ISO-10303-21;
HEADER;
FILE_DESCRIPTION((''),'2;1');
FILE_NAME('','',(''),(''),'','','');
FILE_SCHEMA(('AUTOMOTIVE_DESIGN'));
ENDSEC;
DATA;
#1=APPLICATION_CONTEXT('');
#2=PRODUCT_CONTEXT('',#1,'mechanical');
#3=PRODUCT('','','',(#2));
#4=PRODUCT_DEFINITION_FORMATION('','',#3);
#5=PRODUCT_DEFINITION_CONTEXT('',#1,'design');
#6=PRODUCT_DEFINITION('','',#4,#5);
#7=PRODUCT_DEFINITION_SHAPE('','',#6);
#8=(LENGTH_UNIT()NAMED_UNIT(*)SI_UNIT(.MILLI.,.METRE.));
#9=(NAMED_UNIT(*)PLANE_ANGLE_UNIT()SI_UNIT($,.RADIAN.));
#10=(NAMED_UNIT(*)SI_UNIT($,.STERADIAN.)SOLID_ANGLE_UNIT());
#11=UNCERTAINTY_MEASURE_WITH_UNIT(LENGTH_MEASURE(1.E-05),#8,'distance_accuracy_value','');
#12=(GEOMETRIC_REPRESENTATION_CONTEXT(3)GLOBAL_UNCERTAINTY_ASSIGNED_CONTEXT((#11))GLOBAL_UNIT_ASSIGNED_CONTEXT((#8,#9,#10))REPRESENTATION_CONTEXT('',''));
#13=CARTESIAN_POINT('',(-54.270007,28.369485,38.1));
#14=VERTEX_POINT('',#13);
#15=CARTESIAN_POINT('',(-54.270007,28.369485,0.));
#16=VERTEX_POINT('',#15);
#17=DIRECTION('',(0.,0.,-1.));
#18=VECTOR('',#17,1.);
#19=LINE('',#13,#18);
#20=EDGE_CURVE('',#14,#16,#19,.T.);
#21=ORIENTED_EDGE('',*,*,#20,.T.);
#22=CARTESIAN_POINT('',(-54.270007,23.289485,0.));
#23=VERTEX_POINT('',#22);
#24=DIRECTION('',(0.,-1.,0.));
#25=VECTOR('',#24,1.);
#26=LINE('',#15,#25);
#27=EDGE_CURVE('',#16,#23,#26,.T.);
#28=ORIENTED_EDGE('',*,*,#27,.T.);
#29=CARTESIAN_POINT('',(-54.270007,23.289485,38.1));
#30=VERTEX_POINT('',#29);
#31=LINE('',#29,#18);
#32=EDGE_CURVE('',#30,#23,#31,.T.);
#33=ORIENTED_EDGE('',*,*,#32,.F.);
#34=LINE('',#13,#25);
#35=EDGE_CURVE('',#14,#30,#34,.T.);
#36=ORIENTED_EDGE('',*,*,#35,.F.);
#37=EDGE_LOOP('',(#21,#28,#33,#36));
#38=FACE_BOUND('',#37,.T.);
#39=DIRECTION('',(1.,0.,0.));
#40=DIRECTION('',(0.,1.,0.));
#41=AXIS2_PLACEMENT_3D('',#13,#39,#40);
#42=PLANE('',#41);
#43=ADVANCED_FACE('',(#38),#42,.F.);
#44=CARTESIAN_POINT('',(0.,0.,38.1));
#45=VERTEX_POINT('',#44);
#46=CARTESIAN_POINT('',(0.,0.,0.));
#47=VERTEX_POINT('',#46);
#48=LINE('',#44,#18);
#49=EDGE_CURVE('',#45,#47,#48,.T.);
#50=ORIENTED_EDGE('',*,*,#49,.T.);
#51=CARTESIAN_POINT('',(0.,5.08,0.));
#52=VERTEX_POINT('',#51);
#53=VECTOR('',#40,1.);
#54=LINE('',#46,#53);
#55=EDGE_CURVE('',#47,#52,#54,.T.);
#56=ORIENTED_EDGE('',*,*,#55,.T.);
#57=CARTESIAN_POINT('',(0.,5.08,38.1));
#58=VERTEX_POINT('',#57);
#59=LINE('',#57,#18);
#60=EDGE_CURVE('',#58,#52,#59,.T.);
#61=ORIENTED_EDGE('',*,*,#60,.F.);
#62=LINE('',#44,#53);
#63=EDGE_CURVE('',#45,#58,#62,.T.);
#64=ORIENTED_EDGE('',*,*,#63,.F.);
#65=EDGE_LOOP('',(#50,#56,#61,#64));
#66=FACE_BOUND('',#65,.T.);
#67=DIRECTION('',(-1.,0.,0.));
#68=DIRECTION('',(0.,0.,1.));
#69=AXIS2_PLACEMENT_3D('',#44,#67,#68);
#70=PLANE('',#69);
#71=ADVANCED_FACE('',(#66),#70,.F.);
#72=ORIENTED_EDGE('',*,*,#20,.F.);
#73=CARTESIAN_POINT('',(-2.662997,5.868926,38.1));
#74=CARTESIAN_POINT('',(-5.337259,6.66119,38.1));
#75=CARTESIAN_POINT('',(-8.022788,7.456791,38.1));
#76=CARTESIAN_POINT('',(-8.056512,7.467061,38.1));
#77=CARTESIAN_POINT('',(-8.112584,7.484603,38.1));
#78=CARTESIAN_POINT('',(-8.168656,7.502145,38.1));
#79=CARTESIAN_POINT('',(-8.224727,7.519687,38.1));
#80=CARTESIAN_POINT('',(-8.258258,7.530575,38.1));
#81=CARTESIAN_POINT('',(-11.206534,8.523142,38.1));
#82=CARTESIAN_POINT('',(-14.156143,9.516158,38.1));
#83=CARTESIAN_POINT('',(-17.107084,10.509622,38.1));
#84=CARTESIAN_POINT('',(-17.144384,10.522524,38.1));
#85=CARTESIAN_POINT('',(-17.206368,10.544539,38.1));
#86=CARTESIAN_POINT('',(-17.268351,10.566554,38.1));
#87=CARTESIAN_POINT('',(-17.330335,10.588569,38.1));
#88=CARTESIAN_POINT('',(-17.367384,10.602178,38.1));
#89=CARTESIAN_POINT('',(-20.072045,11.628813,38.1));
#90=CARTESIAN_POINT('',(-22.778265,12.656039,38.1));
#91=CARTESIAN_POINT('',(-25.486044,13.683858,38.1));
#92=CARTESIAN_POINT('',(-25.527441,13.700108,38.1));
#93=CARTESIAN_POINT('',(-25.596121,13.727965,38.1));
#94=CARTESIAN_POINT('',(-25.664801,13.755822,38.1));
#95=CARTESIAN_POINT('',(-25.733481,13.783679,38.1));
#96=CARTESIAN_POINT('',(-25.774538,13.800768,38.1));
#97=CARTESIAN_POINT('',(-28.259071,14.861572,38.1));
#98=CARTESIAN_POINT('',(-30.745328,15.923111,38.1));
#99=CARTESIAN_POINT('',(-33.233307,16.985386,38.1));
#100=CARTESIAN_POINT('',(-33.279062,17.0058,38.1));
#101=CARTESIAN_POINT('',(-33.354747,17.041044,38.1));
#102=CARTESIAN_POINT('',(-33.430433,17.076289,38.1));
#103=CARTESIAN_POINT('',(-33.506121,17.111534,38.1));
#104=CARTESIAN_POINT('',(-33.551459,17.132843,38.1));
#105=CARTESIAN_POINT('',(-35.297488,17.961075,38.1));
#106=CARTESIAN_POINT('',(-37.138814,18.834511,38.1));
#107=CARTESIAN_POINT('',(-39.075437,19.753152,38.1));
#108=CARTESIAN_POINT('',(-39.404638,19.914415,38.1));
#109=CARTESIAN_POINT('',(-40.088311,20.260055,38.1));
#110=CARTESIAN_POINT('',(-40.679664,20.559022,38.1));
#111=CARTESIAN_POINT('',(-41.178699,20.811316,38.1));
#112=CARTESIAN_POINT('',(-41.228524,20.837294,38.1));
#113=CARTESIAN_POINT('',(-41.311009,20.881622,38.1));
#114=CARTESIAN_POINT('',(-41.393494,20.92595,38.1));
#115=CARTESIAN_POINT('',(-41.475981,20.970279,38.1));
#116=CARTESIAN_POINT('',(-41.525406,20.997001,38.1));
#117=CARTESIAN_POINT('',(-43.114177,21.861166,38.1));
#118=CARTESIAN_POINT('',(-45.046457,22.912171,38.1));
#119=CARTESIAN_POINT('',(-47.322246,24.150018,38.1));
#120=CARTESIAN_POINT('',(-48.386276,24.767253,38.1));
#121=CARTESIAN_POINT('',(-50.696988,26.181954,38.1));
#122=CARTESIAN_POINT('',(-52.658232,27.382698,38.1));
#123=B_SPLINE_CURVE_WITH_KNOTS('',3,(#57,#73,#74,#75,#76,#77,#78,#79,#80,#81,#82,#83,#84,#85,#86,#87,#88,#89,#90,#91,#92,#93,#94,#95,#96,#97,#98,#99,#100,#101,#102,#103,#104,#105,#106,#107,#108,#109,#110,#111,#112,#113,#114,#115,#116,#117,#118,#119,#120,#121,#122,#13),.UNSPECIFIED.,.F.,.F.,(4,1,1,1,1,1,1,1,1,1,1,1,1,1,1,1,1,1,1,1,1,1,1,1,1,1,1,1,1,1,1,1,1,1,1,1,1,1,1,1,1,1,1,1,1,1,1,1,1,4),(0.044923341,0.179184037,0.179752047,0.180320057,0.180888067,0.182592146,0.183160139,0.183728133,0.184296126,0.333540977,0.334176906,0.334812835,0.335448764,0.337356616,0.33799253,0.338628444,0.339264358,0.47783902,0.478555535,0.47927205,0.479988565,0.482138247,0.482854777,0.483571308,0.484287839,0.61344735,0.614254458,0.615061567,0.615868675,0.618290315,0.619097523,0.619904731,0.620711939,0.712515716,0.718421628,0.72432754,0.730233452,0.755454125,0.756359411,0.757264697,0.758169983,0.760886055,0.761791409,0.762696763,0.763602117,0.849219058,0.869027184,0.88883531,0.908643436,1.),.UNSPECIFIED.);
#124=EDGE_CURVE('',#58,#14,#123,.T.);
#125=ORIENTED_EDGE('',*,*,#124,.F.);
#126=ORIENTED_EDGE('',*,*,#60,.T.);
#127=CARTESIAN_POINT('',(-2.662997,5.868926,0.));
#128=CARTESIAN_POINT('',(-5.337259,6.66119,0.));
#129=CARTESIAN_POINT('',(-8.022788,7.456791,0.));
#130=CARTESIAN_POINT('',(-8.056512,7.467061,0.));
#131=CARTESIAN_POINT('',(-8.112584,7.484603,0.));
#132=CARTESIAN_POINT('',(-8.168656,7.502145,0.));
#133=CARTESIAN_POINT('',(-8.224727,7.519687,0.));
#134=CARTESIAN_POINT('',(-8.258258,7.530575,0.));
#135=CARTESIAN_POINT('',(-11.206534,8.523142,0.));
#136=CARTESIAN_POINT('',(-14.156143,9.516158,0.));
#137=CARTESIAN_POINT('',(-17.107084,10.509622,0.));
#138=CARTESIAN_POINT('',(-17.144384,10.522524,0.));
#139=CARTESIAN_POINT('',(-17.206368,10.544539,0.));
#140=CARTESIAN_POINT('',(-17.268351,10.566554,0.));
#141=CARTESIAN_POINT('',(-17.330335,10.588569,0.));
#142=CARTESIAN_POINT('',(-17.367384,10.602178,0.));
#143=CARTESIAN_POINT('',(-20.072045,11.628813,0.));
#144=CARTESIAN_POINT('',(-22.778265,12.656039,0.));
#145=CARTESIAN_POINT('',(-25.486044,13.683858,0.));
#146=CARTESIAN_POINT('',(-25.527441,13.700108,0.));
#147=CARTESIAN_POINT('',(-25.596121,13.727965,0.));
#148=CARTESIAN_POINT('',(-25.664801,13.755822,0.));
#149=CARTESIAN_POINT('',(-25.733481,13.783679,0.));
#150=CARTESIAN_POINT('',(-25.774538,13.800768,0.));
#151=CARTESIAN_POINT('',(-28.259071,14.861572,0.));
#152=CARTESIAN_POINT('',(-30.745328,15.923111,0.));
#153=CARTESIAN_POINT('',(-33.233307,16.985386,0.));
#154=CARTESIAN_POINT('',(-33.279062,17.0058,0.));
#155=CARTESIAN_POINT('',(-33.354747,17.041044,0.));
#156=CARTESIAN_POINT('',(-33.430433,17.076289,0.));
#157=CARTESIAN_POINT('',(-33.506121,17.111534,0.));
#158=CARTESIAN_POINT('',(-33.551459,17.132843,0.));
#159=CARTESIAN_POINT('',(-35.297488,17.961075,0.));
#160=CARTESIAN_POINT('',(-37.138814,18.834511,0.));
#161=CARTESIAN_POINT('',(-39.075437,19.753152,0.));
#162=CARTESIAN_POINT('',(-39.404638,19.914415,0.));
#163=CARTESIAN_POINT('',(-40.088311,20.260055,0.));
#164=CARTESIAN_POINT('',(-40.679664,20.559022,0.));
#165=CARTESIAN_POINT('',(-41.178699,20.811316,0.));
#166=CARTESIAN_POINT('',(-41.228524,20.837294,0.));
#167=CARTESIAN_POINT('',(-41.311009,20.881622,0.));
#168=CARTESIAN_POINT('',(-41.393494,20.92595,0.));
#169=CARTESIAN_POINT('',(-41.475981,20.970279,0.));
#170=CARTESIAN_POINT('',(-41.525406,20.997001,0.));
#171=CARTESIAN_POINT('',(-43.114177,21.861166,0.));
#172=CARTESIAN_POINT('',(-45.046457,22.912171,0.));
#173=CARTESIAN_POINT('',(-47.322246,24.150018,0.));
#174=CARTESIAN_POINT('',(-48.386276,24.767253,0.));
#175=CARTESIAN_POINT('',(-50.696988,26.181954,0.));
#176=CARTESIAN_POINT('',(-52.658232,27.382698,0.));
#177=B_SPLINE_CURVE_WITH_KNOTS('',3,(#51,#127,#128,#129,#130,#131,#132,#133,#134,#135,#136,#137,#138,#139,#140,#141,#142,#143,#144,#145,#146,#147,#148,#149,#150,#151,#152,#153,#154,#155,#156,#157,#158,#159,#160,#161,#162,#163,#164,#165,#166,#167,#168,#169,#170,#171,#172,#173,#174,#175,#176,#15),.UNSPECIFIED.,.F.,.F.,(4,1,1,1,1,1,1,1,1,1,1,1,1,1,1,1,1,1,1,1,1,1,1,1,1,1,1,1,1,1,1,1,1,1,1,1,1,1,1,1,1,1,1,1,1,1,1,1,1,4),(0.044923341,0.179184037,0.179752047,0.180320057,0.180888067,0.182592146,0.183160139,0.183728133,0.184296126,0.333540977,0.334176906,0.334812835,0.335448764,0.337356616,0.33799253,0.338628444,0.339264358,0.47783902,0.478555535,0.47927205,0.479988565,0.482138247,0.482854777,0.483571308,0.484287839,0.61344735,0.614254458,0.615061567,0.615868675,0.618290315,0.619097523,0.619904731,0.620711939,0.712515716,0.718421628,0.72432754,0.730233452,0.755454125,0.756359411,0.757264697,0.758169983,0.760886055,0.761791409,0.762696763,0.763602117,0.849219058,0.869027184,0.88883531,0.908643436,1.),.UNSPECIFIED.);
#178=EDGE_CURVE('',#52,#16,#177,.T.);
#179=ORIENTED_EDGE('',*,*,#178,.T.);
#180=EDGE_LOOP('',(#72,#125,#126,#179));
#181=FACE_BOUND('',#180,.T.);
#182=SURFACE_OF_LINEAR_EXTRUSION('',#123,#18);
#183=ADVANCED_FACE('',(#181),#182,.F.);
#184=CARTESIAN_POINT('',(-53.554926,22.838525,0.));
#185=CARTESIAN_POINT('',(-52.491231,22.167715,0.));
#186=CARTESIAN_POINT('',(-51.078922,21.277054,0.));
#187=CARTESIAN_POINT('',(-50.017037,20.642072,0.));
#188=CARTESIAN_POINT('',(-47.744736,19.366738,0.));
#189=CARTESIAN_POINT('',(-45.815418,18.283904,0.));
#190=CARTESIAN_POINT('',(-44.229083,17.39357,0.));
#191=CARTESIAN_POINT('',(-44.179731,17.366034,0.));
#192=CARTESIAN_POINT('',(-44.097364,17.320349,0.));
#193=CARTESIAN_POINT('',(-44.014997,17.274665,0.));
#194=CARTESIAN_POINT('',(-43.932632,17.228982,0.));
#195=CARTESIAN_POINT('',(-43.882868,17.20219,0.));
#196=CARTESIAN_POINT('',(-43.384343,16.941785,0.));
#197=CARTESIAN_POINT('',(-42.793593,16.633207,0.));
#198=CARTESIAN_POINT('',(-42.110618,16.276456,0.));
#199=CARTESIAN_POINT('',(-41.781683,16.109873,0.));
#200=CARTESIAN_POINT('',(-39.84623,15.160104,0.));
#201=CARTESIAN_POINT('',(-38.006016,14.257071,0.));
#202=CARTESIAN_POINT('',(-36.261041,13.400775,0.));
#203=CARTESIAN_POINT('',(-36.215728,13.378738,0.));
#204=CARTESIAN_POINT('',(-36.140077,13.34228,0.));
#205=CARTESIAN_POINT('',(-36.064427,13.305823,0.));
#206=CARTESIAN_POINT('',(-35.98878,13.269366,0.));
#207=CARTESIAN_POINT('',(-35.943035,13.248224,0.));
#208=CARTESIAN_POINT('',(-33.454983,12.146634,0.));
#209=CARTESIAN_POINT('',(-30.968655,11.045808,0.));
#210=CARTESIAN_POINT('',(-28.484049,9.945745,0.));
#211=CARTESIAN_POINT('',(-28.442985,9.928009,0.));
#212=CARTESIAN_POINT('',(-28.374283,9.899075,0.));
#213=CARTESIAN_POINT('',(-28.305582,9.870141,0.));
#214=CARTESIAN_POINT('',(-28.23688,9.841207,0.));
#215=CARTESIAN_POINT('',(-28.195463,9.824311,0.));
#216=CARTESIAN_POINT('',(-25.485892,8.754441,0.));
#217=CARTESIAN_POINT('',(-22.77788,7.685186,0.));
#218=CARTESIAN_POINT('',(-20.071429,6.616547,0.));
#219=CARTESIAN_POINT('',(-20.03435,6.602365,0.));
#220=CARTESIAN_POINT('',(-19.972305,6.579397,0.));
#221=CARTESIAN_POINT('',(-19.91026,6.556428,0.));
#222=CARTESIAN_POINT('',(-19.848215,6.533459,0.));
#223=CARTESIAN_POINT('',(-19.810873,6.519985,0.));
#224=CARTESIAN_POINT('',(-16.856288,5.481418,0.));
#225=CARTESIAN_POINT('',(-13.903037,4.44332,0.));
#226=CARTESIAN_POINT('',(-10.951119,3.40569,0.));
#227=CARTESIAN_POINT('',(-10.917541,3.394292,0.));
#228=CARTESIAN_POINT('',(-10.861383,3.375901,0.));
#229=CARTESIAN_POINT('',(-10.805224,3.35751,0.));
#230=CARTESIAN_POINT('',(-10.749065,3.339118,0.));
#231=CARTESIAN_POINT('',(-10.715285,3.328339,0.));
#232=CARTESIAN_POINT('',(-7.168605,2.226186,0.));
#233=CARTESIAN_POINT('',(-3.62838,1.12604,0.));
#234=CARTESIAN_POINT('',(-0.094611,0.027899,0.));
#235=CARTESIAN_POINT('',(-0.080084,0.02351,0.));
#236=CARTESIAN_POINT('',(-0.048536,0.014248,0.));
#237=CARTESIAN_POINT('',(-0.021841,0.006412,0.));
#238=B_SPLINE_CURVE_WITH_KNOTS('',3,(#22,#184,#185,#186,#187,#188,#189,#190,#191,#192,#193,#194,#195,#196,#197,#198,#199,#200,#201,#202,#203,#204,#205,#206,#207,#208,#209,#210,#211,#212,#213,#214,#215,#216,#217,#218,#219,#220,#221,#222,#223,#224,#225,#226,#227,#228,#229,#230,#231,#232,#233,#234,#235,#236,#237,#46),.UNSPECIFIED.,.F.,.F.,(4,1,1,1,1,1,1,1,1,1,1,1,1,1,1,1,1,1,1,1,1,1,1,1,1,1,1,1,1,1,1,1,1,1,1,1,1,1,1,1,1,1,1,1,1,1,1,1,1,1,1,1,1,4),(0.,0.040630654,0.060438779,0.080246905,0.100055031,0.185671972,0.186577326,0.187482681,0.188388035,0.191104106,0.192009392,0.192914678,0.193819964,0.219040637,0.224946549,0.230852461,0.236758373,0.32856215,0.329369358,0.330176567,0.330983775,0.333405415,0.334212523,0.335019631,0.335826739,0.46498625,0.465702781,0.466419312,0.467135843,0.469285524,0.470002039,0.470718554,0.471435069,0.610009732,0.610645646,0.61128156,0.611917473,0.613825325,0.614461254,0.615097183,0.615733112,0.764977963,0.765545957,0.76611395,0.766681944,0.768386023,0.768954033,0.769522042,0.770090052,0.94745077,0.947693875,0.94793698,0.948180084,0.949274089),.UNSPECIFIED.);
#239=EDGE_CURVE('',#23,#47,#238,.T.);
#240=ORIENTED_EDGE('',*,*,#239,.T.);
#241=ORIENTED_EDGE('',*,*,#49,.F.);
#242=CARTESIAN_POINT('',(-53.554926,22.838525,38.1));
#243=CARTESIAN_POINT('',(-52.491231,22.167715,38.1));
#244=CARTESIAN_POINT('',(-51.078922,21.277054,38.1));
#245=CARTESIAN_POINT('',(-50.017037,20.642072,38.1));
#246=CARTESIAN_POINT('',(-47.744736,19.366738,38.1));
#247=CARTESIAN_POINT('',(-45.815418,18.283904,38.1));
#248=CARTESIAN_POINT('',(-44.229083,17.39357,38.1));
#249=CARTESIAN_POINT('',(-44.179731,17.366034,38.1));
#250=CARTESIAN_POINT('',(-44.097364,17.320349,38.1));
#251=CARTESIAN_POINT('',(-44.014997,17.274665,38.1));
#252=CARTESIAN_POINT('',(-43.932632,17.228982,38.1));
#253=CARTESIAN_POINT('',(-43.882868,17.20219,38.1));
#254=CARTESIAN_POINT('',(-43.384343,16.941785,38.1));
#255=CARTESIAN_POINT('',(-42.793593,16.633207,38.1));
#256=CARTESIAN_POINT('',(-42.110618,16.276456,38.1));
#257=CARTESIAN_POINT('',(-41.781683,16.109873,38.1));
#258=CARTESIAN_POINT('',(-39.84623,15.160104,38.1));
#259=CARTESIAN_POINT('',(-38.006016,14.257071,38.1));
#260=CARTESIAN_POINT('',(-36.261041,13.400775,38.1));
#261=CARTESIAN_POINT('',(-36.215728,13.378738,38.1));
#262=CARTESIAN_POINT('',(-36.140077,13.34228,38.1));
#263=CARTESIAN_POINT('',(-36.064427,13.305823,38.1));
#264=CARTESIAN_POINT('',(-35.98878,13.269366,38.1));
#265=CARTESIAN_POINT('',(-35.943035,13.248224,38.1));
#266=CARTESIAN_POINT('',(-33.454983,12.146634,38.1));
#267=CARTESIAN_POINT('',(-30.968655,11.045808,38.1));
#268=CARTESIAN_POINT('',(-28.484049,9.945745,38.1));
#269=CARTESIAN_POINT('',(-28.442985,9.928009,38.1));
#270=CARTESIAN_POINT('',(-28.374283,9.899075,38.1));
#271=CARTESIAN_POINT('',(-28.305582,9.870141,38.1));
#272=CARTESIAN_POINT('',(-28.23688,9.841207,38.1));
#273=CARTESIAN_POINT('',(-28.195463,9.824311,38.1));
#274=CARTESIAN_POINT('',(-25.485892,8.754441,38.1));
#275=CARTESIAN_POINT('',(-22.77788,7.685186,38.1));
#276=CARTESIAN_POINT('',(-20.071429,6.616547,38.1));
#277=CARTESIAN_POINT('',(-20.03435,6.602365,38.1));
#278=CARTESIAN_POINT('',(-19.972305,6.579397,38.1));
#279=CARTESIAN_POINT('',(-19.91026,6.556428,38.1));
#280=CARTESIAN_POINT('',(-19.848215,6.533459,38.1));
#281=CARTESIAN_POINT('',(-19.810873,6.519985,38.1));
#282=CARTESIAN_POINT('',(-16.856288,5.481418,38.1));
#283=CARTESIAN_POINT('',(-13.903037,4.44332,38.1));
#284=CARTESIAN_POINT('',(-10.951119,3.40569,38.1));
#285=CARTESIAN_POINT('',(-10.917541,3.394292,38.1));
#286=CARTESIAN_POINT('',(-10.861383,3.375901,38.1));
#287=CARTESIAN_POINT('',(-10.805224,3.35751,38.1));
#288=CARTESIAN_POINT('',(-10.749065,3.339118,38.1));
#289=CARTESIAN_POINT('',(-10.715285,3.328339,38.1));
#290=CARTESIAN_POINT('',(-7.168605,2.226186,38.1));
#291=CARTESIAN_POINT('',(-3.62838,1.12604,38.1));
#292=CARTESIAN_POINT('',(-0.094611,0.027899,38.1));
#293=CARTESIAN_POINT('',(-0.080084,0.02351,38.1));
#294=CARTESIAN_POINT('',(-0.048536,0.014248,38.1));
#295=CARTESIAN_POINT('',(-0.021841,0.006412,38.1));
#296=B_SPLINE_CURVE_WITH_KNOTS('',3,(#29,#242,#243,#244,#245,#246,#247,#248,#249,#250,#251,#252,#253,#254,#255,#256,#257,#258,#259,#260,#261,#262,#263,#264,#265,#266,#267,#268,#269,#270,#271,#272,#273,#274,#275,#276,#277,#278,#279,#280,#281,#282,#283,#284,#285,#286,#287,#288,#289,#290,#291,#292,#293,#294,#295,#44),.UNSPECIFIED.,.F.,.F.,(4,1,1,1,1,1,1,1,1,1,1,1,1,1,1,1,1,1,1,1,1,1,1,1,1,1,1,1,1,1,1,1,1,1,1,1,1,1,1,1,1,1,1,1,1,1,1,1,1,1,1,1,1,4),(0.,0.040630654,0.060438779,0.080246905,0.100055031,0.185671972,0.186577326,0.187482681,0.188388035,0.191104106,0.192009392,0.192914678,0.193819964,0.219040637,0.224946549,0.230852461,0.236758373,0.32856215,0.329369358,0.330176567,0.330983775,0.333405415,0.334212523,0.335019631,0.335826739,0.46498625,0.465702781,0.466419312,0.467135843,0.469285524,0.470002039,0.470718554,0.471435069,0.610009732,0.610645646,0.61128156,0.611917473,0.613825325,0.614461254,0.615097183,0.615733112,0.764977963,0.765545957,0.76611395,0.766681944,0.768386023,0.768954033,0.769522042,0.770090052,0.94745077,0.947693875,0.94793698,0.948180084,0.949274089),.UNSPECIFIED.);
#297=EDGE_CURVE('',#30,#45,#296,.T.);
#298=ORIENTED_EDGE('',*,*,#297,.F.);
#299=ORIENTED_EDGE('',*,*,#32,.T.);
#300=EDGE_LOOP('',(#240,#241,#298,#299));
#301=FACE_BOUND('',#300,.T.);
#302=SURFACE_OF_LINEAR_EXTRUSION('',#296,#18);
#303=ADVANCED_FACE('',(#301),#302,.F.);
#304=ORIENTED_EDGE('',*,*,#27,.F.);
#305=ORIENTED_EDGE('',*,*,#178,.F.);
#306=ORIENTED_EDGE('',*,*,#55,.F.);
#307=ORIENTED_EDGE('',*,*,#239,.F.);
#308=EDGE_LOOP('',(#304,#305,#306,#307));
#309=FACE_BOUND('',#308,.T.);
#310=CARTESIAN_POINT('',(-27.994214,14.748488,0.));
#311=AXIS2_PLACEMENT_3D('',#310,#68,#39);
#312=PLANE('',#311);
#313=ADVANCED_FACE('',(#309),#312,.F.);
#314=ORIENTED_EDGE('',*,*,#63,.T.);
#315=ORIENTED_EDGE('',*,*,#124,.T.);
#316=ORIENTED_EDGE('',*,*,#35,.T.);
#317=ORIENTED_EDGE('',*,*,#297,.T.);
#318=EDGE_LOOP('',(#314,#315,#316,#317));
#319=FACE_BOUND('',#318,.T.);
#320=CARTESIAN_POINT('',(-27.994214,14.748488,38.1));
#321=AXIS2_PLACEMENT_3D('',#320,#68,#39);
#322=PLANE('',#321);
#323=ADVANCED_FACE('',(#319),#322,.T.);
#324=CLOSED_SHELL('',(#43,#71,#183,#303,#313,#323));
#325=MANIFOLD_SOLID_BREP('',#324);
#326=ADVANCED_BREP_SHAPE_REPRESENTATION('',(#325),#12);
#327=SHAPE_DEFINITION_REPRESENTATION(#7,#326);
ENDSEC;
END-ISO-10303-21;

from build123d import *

# Parameters (mm, degrees)
BOSS_EXTRUDE1_DEPTH = 38.1


with BuildPart() as part:
    # Sketch2 → Boss-Extrude1 (new body)
    with BuildSketch(Plane.XY):
        with BuildLine():
            Line((-54.270006929, 28.369485347), (-54.270006929, 23.289485347))
            add(Edge.make_bspline(
                [(0, 0), (-0.021841284, 0.006411828), (-0.048536037, 0.014248462), (-0.080084258, 0.023509903), (-0.094611445, 0.027899146), (-3.628380224, 1.126039637), (-7.168604781, 2.226186302), (-10.715285115, 3.328339139), (-10.749064806, 3.339118272), (-10.805224015, 3.357509646), (-10.861382897, 3.375900913), (-10.917541451, 3.394292072), (-10.95111851, 3.405689952), (-13.903036516, 4.443319533), (-16.856288069, 5.48141787), (-19.810873171, 6.519984962), (-19.848214743, 6.533458759), (-19.910259966, 6.556427699), (-19.972304895, 6.579396531), (-20.034349532, 6.602365253), (-20.071428984, 6.616547106), (-22.777880406, 7.685185875), (-25.485891702, 8.754440558), (-28.195462872, 9.824311155), (-28.236880463, 9.841207083), (-28.305581773, 9.870140915), (-28.374283387, 9.899074875), (-28.442985306, 9.928008963), (-28.484049141, 9.94574486), (-30.968654634, 11.045808087), (-33.454983419, 12.146634304), (-35.943035495, 13.248223512), (-35.988779508, 13.269366036), (-36.064427224, 13.305822551), (-36.140076814, 13.34227997), (-36.215728279, 13.378738292), (-36.261041462, 13.400774799), (-38.006015898, 14.257071279), (-39.846229896, 15.160103859), (-41.781683454, 16.10987254), (-42.110618197, 16.276456429), (-42.793592661, 16.633207456), (-43.384342725, 16.94178516), (-43.882868391, 17.202189542), (-43.932632174, 17.228981774), (-44.014997323, 17.274665191), (-44.09736371, 17.320349295), (-44.179731335, 17.366034085), (-44.229082914, 17.393569505), (-45.815418452, 18.283904091), (-47.744736315, 19.366738321), (-50.017036503, 20.642072195), (-51.078921758, 21.277054046), (-52.49123083, 22.167715007), (-53.554925888, 22.838525441), (-54.270006929, 23.289485347)],
                knots=[0, 0, 0, 0, 0.001094005, 0.00133711, 0.001580214, 0.001823319, 0.179184037, 0.179752047, 0.180320057, 0.180888067, 0.182592146, 0.183160139, 0.183728133, 0.184296126, 0.333540977, 0.334176906, 0.334812835, 0.335448764, 0.337356616, 0.33799253, 0.338628444, 0.339264358, 0.47783902, 0.478555535, 0.47927205, 0.479988565, 0.482138247, 0.482854777, 0.483571308, 0.484287839, 0.61344735, 0.614254458, 0.615061567, 0.615868675, 0.618290315, 0.619097523, 0.619904731, 0.620711939, 0.712515716, 0.718421628, 0.72432754, 0.730233452, 0.755454125, 0.756359411, 0.757264697, 0.758169983, 0.760886055, 0.761791409, 0.762696763, 0.763602117, 0.849219058, 0.869027184, 0.88883531, 0.908643436, 0.949274089, 0.949274089, 0.949274089, 0.949274089], degree=3))
            Line((0, 0), (0, 5.08))
            add(Edge.make_bspline(
                [(0, 5.08), (-2.662996604, 5.868926123), (-5.337259413, 6.661189917), (-8.022788428, 7.45679138), (-8.056511999, 7.467061284), (-8.112584124, 7.484603293), (-8.168655921, 7.502145198), (-8.224727392, 7.519687002), (-8.258257689, 7.530574694), (-11.206534394, 8.523142193), (-14.156143002, 9.516158091), (-17.107083513, 10.509622388), (-17.144383615, 10.52252411), (-17.206367607, 10.544539097), (-17.268351307, 10.566553981), (-17.330334714, 10.58856876), (-17.367383582, 10.602177839), (-20.072044847, 11.628812714), (-22.778264954, 12.656039295), (-25.486043902, 13.68385758), (-25.527441256, 13.700107525), (-25.596120981, 13.727964504), (-25.66480101, 13.755821606), (-25.733481343, 13.783678831), (-25.774538107, 13.800768482), (-28.259071326, 14.861571755), (-30.745327787, 15.923110789), (-33.23330749, 16.985385583), (-33.27906191, 17.00580007), (-33.354746545, 17.041043848), (-33.430433054, 17.0762885), (-33.506121438, 17.111534025), (-33.551459361, 17.13284293), (-35.297488017, 17.96107491), (-37.138813773, 18.834511249), (-39.075436629, 19.753151946), (-39.404638324, 19.914415205), (-40.088310549, 20.260055047), (-40.679664154, 20.559021948), (-41.178699139, 20.811315908), (-41.2285243, 20.837293854), (-41.311008712, 20.881621663), (-41.393494364, 20.925950139), (-41.475981256, 20.970279281), (-41.525406444, 20.997001491), (-43.114177327, 21.861165789), (-45.046457083, 22.912171441), (-47.32224571, 24.150018448), (-48.386275951, 24.767252984), (-50.696988145, 26.181954349), (-52.658231804, 27.38269847), (-54.270006929, 28.369485347)],
                knots=[0.044923341, 0.044923341, 0.044923341, 0.044923341, 0.179184037, 0.179752047, 0.180320057, 0.180888067, 0.182592146, 0.183160139, 0.183728133, 0.184296126, 0.333540977, 0.334176906, 0.334812835, 0.335448764, 0.337356616, 0.33799253, 0.338628444, 0.339264358, 0.47783902, 0.478555535, 0.47927205, 0.479988565, 0.482138247, 0.482854777, 0.483571308, 0.484287839, 0.61344735, 0.614254458, 0.615061567, 0.615868675, 0.618290315, 0.619097523, 0.619904731, 0.620711939, 0.712515716, 0.718421628, 0.72432754, 0.730233452, 0.755454125, 0.756359411, 0.757264697, 0.758169983, 0.760886055, 0.761791409, 0.762696763, 0.763602117, 0.849219058, 0.869027184, 0.88883531, 0.908643436, 1, 1, 1, 1], degree=3))
        make_face()
    extrude(amount=BOSS_EXTRUDE1_DEPTH)


solid = part.part
